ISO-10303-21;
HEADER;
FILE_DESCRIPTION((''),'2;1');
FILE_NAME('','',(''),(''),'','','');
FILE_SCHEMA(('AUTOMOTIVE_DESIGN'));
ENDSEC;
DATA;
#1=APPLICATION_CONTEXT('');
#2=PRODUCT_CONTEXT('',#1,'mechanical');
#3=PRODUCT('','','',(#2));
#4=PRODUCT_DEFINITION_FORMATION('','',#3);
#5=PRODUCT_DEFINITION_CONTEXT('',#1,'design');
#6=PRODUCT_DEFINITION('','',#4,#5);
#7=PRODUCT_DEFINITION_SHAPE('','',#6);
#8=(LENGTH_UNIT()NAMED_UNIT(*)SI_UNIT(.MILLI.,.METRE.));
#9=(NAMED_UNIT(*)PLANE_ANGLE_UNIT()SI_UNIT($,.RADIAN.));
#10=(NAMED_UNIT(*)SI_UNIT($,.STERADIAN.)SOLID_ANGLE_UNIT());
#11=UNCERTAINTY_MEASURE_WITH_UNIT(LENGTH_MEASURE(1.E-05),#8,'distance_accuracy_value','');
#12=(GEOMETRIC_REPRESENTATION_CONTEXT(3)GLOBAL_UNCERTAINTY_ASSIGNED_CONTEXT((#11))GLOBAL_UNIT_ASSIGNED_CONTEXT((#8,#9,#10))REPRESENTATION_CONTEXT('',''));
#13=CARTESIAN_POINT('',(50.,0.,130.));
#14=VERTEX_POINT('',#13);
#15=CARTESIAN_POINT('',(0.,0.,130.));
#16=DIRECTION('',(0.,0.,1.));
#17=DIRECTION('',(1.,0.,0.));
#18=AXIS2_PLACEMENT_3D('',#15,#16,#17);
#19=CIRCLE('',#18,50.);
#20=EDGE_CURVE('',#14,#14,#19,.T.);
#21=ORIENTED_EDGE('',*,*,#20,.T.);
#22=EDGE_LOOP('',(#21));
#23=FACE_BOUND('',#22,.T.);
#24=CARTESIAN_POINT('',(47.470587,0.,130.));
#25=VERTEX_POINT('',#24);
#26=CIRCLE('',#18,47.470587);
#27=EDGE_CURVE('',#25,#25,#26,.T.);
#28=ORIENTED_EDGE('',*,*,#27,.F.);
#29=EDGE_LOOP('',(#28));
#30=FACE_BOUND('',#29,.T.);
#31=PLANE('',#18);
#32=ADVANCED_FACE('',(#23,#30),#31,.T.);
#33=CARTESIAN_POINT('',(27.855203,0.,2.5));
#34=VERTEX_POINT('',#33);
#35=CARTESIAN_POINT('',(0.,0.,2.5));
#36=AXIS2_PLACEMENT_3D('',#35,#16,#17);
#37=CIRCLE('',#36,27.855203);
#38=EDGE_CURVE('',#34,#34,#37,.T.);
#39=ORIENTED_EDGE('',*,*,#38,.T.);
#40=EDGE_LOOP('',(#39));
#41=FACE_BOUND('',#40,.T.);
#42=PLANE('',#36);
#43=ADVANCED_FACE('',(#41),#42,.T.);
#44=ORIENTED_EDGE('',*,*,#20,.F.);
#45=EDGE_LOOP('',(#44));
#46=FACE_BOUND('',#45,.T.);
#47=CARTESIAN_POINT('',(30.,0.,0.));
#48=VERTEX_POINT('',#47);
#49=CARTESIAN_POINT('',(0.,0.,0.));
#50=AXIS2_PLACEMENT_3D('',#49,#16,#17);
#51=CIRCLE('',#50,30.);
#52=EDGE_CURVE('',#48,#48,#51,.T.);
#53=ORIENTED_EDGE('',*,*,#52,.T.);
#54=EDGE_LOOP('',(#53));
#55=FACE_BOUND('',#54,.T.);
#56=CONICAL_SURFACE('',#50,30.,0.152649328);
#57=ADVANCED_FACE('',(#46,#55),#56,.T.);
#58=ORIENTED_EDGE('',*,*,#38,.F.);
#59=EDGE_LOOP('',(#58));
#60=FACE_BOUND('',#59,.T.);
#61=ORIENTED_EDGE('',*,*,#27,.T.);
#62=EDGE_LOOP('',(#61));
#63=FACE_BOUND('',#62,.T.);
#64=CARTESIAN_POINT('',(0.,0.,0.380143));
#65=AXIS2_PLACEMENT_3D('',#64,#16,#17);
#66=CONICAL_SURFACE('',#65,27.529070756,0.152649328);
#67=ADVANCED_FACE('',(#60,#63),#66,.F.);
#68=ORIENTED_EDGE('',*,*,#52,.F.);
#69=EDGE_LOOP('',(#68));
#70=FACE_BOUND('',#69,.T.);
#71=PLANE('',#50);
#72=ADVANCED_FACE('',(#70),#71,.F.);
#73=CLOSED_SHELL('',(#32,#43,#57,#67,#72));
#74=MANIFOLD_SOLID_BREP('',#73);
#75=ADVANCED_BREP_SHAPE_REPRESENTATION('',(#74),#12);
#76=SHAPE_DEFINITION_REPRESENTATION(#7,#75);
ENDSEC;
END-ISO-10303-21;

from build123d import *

# Parameters (mm, degrees)
ESQUISSE1_R = 30
ESQUISSE2_R = 50
COQUE1_T    = -2.5


with BuildPart() as part:
    # Esquisse1 → Lissage1 section 0
    with BuildSketch(Plane.XY):
        Circle(ESQUISSE1_R)
    # Esquisse2 → Lissage1 section 1
    with BuildSketch(Plane.XY.offset(130)):
        Circle(ESQUISSE2_R)
    loft()

    # Coque1
    coque1_openings = [part.faces().sort_by_distance(p)[0] for p in [
        (0, 0, 130),
    ]]
    offset(amount=COQUE1_T, openings=coque1_openings, kind=Kind.INTERSECTION)


solid = part.part
